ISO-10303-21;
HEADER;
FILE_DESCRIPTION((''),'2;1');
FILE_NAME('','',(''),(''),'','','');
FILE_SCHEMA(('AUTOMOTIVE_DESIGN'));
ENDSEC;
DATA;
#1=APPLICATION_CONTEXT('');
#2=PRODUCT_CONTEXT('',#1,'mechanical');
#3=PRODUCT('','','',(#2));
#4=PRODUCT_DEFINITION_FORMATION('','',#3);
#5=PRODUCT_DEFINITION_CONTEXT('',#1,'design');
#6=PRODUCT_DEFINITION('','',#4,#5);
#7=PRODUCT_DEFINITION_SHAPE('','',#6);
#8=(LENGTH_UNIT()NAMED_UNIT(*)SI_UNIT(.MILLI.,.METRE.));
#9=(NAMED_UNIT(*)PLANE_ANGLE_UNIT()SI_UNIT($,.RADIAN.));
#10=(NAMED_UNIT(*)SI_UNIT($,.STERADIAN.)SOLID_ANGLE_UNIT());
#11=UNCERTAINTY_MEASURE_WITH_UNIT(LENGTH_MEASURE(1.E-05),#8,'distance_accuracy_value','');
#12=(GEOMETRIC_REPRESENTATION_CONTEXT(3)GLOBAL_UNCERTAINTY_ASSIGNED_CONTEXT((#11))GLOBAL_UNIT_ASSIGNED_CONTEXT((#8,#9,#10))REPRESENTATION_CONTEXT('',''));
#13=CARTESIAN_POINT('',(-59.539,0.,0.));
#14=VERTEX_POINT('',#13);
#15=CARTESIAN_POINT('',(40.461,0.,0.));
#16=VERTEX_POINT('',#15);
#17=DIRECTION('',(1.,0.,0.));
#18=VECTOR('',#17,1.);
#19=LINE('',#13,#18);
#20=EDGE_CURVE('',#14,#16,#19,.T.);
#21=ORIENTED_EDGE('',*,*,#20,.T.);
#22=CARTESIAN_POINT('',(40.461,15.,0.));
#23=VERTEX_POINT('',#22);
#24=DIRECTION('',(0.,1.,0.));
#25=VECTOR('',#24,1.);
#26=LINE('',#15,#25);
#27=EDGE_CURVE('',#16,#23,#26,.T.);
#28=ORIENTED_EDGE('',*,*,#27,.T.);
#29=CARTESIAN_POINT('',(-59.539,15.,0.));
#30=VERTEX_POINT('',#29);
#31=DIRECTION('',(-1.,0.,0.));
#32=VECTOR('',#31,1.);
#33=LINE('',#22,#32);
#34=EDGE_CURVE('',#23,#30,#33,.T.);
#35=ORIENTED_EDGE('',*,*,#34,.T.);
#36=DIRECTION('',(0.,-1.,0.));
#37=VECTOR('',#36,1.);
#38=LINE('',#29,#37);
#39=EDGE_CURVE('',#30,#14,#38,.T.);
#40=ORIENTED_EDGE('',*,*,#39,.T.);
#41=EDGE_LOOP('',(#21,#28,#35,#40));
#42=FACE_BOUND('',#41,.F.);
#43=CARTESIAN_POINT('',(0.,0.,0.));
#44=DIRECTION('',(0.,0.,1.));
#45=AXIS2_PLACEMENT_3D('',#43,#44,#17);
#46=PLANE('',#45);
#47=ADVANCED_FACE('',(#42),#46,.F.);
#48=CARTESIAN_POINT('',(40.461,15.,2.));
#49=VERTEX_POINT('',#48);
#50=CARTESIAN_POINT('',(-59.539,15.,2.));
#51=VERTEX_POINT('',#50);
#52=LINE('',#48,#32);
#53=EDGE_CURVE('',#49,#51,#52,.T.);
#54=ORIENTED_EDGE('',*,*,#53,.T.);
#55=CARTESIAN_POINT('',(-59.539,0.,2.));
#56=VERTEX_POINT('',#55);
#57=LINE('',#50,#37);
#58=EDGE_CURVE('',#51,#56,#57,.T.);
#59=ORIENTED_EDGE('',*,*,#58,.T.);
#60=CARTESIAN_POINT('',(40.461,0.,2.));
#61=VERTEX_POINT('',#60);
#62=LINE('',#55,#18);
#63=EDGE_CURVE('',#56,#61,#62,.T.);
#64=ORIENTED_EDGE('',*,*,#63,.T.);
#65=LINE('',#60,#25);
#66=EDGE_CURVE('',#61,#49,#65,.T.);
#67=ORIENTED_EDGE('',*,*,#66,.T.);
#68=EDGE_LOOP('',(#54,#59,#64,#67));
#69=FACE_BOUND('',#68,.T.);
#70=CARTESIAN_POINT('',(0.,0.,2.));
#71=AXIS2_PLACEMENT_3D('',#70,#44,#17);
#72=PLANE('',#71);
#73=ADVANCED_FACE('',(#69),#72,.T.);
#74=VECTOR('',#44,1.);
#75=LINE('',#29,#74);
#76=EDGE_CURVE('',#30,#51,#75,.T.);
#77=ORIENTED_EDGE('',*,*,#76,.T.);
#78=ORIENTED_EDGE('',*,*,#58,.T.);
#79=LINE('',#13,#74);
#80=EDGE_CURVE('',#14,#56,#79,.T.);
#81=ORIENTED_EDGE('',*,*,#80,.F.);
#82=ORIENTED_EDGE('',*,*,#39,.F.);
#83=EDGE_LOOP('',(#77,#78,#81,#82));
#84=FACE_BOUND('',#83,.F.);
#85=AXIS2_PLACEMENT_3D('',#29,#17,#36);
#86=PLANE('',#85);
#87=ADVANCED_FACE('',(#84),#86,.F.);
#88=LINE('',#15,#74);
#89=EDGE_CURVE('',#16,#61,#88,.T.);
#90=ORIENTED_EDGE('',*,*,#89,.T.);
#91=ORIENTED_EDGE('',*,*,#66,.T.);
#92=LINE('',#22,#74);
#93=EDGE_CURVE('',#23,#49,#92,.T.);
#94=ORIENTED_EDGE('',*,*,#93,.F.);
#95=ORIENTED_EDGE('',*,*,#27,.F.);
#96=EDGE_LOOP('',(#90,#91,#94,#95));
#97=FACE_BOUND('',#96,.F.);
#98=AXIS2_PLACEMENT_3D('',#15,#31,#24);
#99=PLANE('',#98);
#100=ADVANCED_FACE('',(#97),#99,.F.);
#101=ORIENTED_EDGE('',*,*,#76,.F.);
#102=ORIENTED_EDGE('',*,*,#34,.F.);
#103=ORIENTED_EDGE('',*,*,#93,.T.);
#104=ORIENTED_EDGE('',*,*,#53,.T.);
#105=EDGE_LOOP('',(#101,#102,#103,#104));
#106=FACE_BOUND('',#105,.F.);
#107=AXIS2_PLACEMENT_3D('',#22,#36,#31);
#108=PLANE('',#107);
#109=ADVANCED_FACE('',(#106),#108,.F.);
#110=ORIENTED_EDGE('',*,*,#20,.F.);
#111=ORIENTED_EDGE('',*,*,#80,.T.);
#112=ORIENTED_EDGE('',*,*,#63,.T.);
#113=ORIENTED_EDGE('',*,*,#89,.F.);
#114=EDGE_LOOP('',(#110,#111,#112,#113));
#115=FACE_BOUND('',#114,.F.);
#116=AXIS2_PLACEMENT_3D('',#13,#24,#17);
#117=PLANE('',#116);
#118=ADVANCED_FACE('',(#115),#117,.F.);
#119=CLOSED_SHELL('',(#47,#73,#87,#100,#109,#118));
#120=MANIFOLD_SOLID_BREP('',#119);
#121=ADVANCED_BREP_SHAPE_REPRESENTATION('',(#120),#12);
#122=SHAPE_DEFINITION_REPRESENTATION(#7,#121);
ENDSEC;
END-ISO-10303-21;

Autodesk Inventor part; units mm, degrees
ref_plane "YZ Plane" through (0, 0, 0) normal (1, 0, 0) x (0, 1, 0)
ref_plane "XZ Plane" through (0, 0, 0) normal (0, 1, 0) x (-1, 0, 0)
ref_plane "XY Plane" through (0, 0, 0) normal (0, 0, 1) x (1, 0, 0)
sketch "Sketch1" plane through (0, 0, 0) normal (0, 0, 1) x (1, 0, 0)
  line L0 (-59.539, 0) -> (40.461, 0)
  line L1 (40.461, 0) -> (40.461, 15)
  line L2 (40.461, 15) -> (-59.539, 15)
  line L3 (-59.539, 15) -> (-59.539, 0)
  point P0 (0, 0)
  dimension "d0" = 100
  dimension "d1" = 15
extrude "Extrusion1" add sketch "Sketch1" along normal blind 2
properties part number "belt mockup" material "Rubber, Silicone"
